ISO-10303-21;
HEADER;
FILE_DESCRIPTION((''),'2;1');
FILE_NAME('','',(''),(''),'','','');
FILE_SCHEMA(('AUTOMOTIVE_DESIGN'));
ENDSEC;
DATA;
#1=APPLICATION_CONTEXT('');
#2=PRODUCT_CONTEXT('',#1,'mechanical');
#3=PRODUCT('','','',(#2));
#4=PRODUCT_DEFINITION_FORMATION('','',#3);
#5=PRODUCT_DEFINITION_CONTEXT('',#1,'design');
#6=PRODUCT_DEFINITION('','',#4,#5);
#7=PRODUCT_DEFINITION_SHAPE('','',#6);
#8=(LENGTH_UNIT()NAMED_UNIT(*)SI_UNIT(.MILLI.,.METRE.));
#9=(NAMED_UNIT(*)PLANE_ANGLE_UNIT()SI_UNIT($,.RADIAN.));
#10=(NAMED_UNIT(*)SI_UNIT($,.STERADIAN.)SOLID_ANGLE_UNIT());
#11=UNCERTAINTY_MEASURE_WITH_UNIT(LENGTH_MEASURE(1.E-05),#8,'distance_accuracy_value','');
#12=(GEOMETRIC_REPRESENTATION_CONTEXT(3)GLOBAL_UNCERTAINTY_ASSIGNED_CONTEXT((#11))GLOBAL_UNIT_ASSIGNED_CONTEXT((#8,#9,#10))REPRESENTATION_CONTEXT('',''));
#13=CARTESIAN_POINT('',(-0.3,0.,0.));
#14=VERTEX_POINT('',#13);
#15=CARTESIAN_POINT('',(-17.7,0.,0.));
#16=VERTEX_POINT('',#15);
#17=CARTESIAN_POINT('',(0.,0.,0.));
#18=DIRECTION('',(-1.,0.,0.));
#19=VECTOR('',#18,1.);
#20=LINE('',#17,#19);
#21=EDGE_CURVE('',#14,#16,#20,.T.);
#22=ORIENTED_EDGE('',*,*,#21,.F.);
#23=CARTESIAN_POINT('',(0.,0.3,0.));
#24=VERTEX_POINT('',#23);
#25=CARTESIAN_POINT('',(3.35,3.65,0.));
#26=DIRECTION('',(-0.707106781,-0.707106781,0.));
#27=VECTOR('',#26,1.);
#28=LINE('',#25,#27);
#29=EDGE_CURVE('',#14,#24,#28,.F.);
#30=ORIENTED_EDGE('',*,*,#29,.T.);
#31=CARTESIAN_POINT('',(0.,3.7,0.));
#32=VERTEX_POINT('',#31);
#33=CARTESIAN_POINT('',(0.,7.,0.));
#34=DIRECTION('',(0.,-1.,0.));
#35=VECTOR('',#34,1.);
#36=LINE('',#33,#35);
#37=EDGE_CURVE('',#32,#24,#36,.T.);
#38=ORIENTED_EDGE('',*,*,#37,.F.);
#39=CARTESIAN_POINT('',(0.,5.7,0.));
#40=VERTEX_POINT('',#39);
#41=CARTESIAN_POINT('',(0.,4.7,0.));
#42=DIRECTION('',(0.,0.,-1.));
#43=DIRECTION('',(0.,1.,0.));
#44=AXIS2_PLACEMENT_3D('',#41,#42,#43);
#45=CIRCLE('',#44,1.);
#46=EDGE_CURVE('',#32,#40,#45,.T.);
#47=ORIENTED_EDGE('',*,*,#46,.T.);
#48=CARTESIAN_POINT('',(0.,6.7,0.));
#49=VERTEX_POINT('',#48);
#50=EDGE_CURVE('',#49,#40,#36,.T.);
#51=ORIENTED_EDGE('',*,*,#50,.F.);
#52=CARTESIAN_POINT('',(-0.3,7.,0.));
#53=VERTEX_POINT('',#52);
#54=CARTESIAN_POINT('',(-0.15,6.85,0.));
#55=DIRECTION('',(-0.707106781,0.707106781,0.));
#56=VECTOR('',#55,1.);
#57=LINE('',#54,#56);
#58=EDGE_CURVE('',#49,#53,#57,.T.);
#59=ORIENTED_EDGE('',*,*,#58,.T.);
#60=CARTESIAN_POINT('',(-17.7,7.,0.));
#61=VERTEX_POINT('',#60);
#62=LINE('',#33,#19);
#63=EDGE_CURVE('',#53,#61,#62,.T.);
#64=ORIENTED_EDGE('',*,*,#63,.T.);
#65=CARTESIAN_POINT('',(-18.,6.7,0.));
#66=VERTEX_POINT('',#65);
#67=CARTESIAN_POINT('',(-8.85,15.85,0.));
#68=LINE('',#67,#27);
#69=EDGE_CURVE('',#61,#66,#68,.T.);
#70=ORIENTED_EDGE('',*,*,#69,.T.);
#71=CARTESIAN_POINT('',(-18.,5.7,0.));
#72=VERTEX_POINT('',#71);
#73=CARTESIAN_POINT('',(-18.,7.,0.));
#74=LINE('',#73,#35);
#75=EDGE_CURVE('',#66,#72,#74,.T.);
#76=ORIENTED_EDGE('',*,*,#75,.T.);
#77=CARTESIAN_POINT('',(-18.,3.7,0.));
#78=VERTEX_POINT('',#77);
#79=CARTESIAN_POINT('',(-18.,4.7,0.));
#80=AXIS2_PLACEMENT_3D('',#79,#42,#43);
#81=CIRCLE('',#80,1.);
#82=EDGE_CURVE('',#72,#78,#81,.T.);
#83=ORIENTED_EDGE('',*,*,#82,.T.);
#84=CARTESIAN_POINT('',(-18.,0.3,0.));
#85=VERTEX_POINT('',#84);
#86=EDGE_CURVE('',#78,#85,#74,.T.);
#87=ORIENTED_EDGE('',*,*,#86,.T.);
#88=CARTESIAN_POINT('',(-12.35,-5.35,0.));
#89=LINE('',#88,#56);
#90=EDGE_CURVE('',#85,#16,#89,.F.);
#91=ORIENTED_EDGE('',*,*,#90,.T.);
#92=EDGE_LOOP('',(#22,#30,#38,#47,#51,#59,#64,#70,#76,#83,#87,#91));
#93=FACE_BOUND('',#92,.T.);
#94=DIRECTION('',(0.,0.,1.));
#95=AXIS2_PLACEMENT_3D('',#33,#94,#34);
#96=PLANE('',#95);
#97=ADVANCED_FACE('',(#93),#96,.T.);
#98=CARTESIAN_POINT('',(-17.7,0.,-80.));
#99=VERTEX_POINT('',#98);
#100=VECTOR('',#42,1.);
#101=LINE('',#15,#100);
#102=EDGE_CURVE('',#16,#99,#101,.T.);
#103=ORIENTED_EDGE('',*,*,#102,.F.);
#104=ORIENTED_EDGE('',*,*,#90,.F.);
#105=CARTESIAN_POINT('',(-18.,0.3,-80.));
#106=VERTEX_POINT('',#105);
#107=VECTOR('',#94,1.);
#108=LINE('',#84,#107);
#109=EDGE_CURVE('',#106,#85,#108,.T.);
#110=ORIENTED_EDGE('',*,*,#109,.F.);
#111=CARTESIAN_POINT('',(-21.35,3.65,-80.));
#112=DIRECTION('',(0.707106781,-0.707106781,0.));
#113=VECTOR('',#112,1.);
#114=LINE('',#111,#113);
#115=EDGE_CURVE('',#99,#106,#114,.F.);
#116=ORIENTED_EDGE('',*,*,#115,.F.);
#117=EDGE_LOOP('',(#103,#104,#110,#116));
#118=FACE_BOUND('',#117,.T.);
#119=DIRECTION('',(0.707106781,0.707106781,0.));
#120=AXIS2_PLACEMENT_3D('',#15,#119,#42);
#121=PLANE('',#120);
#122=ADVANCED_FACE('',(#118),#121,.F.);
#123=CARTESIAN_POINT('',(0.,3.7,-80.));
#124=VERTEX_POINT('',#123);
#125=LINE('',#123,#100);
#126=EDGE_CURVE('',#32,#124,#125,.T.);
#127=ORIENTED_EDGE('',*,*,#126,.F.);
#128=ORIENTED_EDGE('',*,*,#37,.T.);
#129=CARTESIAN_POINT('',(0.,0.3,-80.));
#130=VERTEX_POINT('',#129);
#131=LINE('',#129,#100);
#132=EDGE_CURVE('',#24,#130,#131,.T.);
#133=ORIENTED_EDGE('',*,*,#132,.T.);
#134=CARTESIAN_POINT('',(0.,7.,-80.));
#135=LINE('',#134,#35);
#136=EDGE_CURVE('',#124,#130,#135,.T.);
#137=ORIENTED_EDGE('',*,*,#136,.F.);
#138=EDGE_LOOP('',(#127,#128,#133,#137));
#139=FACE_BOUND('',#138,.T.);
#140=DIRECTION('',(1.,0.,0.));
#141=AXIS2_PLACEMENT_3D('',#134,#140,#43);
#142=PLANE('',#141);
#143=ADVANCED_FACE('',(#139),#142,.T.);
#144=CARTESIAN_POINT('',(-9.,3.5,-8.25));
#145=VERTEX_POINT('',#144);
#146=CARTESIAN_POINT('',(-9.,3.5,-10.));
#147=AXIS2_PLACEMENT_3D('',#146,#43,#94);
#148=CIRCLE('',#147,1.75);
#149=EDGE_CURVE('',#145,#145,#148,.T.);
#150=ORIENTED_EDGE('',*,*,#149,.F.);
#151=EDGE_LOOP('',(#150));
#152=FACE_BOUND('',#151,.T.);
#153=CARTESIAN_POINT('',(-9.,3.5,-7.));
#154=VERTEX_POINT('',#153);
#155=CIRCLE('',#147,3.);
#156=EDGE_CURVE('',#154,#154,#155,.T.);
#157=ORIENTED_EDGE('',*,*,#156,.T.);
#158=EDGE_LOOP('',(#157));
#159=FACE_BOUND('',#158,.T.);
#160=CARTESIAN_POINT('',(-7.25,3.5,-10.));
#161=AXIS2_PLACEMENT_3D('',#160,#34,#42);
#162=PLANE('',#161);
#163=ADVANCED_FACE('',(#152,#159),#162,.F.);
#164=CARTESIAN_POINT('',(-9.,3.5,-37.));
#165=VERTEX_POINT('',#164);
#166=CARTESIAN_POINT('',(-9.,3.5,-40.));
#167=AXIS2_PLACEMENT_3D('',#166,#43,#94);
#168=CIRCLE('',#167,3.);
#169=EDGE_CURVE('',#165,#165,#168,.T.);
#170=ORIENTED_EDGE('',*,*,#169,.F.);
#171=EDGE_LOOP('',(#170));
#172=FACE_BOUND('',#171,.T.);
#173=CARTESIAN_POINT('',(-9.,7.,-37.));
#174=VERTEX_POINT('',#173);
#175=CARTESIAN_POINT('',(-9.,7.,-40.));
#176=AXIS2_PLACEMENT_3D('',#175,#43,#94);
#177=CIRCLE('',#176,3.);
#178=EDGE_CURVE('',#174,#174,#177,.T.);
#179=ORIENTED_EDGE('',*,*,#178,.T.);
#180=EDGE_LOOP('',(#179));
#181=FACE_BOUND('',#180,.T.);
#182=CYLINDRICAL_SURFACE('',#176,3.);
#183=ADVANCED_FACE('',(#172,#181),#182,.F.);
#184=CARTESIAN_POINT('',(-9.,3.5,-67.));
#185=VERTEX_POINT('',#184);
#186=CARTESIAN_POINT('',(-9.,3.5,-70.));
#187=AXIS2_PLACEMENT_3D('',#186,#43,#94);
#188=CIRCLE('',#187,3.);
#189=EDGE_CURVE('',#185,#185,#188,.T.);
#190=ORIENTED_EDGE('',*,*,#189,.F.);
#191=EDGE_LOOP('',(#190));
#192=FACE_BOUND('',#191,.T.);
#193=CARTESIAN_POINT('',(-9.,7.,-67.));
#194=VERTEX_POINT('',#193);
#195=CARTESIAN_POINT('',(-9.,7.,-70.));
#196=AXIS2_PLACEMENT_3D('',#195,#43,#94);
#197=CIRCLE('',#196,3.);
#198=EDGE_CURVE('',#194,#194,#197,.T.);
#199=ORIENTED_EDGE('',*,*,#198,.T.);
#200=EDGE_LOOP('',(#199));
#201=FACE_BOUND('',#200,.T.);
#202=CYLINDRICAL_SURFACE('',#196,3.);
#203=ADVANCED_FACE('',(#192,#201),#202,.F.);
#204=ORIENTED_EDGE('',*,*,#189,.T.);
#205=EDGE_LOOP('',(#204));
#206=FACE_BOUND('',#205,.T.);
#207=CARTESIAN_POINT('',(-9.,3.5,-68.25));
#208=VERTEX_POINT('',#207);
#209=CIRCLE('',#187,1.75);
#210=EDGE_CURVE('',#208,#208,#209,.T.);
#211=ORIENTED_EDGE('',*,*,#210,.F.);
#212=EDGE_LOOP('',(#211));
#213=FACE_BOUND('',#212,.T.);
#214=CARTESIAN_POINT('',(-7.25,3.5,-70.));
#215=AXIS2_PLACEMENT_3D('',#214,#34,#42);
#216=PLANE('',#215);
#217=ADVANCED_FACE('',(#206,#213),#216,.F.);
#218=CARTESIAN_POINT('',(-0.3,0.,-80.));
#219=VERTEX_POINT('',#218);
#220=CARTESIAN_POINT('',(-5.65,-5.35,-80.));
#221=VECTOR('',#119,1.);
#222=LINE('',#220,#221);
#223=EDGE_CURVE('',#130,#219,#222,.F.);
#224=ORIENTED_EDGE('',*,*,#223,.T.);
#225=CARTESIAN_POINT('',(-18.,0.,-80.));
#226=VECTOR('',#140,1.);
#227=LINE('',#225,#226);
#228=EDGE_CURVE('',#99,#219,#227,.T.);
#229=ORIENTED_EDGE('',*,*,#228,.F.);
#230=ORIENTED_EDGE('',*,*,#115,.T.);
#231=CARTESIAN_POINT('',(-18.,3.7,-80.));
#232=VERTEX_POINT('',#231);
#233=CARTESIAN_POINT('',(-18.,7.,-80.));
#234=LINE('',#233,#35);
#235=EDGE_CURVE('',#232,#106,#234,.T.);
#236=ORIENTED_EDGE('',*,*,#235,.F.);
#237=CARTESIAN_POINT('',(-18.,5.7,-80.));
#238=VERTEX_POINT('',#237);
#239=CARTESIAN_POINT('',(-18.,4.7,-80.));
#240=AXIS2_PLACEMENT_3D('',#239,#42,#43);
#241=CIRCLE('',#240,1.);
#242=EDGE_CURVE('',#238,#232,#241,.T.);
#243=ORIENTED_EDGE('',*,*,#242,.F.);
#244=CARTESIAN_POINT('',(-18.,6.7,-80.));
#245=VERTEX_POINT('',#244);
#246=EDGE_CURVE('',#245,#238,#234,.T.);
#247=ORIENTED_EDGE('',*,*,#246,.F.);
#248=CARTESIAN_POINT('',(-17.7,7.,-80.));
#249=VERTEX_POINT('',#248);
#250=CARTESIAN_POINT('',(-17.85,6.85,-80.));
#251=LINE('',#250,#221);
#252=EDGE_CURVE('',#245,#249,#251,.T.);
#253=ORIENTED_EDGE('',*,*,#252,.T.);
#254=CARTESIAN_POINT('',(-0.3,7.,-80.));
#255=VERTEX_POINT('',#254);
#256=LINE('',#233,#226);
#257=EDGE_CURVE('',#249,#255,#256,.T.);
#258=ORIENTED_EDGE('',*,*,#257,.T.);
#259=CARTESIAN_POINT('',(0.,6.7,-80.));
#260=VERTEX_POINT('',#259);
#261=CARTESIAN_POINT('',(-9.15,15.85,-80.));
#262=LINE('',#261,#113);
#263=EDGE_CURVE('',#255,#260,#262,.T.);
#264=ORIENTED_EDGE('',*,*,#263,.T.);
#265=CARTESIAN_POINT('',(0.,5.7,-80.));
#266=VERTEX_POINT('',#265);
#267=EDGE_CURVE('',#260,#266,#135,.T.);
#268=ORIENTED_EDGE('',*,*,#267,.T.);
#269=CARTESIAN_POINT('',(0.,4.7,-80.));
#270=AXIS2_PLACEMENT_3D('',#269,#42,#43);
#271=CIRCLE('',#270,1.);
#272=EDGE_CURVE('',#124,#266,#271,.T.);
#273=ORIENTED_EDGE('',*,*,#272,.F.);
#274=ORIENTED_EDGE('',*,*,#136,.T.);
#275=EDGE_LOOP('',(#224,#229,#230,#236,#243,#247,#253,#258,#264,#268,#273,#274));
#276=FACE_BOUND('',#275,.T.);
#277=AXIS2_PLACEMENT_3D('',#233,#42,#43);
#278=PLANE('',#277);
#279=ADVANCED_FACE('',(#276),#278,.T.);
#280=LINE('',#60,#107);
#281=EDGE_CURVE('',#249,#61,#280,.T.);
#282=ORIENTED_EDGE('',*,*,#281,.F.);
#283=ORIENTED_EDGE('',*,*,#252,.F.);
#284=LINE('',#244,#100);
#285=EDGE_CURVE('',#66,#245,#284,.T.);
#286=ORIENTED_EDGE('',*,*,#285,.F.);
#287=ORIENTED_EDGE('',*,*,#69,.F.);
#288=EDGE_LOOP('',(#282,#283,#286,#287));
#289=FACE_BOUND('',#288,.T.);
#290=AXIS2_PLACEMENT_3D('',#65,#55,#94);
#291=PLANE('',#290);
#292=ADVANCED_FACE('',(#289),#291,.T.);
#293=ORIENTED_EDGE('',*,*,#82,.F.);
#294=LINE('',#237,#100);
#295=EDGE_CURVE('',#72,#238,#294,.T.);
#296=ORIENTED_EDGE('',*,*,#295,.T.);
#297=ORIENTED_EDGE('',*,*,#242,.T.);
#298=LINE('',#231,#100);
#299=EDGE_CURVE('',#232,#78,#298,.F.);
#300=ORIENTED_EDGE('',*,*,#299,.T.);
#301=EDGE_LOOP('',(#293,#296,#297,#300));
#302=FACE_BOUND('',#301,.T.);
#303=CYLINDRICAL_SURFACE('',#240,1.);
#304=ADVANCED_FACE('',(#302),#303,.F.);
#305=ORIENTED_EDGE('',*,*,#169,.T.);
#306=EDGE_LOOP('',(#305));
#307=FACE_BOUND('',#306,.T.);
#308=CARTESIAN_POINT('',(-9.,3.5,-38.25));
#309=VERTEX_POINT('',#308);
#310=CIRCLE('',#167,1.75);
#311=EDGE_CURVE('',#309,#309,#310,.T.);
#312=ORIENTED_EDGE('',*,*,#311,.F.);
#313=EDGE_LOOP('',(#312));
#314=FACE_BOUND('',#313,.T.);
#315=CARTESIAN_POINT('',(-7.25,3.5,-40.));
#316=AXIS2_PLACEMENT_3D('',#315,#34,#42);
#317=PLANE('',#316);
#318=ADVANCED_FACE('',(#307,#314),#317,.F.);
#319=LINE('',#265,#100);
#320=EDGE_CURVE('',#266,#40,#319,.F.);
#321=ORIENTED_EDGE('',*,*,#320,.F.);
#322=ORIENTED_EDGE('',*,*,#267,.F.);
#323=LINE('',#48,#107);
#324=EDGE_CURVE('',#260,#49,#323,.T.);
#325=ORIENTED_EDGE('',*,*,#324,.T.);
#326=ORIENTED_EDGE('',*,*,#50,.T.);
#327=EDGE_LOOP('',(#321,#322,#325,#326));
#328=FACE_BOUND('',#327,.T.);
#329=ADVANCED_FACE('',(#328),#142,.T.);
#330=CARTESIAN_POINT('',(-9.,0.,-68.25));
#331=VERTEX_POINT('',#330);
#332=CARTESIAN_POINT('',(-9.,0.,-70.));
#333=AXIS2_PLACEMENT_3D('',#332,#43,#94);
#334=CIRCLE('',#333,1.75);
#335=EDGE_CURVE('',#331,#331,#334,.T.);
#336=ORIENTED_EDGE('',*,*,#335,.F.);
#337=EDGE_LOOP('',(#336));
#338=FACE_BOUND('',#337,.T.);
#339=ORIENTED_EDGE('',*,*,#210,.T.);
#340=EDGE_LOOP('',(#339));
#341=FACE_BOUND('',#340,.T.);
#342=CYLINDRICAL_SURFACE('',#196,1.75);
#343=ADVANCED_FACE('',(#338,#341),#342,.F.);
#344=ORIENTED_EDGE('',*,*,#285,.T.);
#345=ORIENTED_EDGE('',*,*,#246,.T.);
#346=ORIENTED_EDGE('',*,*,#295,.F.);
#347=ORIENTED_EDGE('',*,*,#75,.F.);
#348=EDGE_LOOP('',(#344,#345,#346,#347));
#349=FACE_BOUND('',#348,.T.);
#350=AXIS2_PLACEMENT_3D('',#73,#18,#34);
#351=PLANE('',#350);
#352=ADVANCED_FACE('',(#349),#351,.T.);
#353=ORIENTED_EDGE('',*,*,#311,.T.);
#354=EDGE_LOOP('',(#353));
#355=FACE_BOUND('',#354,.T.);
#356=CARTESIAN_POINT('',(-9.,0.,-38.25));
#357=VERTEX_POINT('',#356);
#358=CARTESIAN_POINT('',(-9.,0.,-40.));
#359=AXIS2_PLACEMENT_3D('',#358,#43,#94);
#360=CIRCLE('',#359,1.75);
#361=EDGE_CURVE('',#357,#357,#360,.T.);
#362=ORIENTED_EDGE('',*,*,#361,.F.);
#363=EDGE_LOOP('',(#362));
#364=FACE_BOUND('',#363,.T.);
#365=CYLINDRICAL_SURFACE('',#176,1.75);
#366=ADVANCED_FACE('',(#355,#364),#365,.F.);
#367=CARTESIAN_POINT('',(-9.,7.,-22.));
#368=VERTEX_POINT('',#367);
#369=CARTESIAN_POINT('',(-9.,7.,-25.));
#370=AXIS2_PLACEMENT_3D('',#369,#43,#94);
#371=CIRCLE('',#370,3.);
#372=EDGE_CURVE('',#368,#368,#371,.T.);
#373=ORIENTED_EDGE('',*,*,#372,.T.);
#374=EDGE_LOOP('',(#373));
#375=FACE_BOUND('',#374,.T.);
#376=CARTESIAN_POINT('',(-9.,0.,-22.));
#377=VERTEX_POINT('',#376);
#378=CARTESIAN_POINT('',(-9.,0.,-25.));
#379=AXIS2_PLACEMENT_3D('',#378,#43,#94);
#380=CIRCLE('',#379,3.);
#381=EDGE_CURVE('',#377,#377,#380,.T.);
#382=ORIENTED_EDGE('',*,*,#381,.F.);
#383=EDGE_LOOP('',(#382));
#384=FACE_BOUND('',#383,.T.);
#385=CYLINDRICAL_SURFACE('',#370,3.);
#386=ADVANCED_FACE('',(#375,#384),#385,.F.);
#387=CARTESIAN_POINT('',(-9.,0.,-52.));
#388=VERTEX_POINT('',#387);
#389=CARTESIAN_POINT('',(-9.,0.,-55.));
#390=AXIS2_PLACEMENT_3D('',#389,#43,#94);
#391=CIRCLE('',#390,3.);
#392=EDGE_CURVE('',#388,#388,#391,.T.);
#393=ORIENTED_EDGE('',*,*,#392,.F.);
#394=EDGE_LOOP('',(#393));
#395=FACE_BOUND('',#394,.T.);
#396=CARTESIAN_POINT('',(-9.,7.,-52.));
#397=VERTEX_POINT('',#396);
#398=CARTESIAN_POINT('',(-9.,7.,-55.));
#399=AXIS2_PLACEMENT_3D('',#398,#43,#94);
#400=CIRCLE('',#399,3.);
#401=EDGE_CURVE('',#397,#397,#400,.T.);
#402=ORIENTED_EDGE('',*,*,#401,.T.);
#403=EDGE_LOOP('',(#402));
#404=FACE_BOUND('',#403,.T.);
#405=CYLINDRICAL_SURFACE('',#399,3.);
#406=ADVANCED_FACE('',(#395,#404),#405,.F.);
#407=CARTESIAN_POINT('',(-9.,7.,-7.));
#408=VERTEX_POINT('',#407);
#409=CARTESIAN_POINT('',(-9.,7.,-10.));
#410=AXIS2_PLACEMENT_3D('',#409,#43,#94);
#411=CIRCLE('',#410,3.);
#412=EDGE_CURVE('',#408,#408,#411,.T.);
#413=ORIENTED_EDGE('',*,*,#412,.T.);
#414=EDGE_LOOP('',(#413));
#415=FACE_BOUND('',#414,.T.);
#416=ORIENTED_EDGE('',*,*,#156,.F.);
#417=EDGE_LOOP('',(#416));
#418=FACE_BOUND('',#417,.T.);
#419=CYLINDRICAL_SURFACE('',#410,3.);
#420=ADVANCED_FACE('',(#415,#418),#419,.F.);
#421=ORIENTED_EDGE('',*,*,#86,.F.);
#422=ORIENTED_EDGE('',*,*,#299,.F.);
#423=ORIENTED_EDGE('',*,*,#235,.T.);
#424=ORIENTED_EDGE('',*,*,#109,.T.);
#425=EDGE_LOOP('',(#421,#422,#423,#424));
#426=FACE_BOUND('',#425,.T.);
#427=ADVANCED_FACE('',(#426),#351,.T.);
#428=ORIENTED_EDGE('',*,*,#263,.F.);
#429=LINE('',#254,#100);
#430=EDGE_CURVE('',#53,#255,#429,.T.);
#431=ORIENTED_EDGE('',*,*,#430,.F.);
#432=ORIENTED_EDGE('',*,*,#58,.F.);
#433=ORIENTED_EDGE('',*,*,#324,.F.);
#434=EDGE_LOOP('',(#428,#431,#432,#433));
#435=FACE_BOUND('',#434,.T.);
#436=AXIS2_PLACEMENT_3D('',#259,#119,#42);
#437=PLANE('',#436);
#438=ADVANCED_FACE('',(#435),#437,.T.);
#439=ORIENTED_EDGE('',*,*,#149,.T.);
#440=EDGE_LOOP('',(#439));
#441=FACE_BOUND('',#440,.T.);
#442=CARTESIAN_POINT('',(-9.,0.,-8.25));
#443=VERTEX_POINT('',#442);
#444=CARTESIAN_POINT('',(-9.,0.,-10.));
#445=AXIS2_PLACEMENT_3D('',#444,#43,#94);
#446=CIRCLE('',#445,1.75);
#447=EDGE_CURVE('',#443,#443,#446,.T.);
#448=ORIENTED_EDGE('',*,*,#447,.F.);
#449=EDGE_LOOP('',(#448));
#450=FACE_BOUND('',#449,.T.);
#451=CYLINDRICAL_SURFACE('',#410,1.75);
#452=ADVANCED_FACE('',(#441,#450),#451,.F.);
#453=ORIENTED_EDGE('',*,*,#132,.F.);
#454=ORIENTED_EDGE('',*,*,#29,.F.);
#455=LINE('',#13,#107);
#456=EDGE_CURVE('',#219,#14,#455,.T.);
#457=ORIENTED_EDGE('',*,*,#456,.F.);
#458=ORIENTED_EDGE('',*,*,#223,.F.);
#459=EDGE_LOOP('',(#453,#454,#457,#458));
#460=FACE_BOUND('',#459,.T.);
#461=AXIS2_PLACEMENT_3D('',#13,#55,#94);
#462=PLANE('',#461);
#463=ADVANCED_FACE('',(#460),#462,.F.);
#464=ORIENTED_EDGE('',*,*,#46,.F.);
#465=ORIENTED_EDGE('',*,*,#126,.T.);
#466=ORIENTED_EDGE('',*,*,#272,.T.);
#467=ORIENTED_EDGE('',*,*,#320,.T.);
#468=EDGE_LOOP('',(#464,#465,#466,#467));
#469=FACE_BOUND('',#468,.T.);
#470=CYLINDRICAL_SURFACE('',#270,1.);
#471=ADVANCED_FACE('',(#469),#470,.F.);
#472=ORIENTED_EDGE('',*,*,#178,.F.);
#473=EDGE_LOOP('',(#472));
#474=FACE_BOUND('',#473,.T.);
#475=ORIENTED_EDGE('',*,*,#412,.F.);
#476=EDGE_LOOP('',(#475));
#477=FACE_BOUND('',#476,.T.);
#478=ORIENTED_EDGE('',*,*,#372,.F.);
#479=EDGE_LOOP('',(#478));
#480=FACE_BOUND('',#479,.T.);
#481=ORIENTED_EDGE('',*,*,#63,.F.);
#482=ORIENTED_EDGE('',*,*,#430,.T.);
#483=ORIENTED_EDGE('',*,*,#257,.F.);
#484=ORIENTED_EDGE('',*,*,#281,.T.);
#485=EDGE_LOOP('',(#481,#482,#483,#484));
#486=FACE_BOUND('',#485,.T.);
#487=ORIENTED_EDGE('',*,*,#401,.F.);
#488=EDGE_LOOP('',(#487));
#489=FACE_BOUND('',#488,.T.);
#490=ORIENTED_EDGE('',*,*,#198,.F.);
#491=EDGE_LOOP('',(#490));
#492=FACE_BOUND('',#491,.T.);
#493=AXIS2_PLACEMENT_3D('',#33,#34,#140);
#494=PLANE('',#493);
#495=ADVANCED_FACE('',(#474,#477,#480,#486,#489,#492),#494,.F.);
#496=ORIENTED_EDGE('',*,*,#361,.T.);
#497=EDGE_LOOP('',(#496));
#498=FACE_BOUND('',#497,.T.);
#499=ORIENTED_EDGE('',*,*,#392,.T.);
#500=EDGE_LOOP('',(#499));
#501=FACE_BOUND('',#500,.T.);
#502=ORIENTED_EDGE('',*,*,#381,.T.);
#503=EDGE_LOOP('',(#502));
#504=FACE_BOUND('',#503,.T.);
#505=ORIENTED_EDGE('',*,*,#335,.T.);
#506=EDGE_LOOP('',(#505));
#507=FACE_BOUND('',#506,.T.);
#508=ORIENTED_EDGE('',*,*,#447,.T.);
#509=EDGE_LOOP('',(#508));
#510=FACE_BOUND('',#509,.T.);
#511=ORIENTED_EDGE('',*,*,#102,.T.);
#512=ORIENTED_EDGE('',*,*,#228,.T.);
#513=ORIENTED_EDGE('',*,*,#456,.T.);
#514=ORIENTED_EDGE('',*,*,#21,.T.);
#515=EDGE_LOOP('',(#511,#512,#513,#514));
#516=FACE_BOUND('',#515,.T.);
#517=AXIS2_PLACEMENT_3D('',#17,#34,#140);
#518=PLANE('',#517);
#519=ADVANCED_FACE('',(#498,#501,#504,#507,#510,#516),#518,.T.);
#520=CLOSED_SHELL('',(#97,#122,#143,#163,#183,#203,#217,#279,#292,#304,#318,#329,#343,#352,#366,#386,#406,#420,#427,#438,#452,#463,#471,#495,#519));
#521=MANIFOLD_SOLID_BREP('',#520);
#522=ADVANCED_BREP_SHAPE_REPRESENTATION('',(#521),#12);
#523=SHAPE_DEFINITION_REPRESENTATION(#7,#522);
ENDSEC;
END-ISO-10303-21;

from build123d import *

# Parameters (mm, degrees)
ESBO_O1_W                                            = 18
ESBO_O1_H                                            = 80
RESSALTO_EXTRUS_O1_DEPTH                             = 7
FURO_DE_DI_METRO_2_0_2_1_D                           = 2
FURO_DE_DI_METRO_6_0_6_1_D                           = 6
REBAIXO_PARA_PARAFUSO_DE_M_QUINA_DE_CABE_D           = 3.5
REBAIXO_PARA_PARAFUSO_DE_M_QUINA_DE_CABE_CBORE_D     = 6
REBAIXO_PARA_PARAFUSO_DE_M_QUINA_DE_CABE_CBORE_DEPTH = 3.5
PADR_O_LINEAR1_COUNT                                 = 2
PADR_O_LINEAR1_PITCH                                 = 30
PADR_O_LINEAR2_COUNT                                 = 3
PADR_O_LINEAR2_PITCH                                 = 30
CHANFRO1_SIZE                                        = 0.3


with BuildPart() as part:
    # Esboço1 → Ressalto-extrusão1 (new body)
    with BuildSketch(Plane.XZ):
        with Locations((-9, -40)):
            Rectangle(ESBO_O1_W, ESBO_O1_H)
    extrude(amount=-RESSALTO_EXTRUS_O1_DEPTH)

    # Furo de diâmetro Ø2.0 (2)1 (through all)
    with Locations(Plane(origin=(0, 0, -80), x_dir=(-1, 0, 0), z_dir=(0, 0, -1))):
        with Locations((0, 4.7), (18, 4.7)):
            Hole(FURO_DE_DI_METRO_2_0_2_1_D / 2)

    # Furo de diâmetro Ø6.0 (6)1 (through all)
    with Locations(Plane(origin=(0, 7, 0), x_dir=(1, 0, 0), z_dir=(0, 1, 0))):
        with Locations((-9, 25)):
            furo_de_di_metro_6_0_6_1 = Hole(FURO_DE_DI_METRO_6_0_6_1_D / 2)

    # Rebaixo para parafuso de máquina de cabeça sextavada de M31 (through all)
    with Locations(Plane(origin=(0, 7, 0), x_dir=(1, 0, 0), z_dir=(0, 1, 0))):
        with Locations((-9, 10)):
            rebaixo_para_parafuso_de_m_quina_de_cabe = CounterBoreHole(REBAIXO_PARA_PARAFUSO_DE_M_QUINA_DE_CABE_D / 2, REBAIXO_PARA_PARAFUSO_DE_M_QUINA_DE_CABE_CBORE_D / 2, REBAIXO_PARA_PARAFUSO_DE_M_QUINA_DE_CABE_CBORE_DEPTH)

    # Padrão linear1: Furo de diâmetro Ø6.0 (6)1 ×2
    with Locations(*[(0, 0, -i * PADR_O_LINEAR1_PITCH) for i in range(1, PADR_O_LINEAR1_COUNT)]):
        add(furo_de_di_metro_6_0_6_1, mode=Mode.SUBTRACT)

    # Padrão linear2: Rebaixo para parafuso de máquina de cabeça sextavada de M31 ×3
    with Locations(*[(0, 0, -i * PADR_O_LINEAR2_PITCH) for i in range(1, PADR_O_LINEAR2_COUNT)]):
        add(rebaixo_para_parafuso_de_m_quina_de_cabe, mode=Mode.SUBTRACT)

    # Chanfro1
    chanfro1_edges = [part.edges().sort_by_distance(p)[0] for p in [
        (0, 7, -40),
        (-18, 7, -40),
        (0, 0, -40),
        (-18, 0, -40),
    ]]
    chamfer(chanfro1_edges, length=CHANFRO1_SIZE)


solid = part.part
